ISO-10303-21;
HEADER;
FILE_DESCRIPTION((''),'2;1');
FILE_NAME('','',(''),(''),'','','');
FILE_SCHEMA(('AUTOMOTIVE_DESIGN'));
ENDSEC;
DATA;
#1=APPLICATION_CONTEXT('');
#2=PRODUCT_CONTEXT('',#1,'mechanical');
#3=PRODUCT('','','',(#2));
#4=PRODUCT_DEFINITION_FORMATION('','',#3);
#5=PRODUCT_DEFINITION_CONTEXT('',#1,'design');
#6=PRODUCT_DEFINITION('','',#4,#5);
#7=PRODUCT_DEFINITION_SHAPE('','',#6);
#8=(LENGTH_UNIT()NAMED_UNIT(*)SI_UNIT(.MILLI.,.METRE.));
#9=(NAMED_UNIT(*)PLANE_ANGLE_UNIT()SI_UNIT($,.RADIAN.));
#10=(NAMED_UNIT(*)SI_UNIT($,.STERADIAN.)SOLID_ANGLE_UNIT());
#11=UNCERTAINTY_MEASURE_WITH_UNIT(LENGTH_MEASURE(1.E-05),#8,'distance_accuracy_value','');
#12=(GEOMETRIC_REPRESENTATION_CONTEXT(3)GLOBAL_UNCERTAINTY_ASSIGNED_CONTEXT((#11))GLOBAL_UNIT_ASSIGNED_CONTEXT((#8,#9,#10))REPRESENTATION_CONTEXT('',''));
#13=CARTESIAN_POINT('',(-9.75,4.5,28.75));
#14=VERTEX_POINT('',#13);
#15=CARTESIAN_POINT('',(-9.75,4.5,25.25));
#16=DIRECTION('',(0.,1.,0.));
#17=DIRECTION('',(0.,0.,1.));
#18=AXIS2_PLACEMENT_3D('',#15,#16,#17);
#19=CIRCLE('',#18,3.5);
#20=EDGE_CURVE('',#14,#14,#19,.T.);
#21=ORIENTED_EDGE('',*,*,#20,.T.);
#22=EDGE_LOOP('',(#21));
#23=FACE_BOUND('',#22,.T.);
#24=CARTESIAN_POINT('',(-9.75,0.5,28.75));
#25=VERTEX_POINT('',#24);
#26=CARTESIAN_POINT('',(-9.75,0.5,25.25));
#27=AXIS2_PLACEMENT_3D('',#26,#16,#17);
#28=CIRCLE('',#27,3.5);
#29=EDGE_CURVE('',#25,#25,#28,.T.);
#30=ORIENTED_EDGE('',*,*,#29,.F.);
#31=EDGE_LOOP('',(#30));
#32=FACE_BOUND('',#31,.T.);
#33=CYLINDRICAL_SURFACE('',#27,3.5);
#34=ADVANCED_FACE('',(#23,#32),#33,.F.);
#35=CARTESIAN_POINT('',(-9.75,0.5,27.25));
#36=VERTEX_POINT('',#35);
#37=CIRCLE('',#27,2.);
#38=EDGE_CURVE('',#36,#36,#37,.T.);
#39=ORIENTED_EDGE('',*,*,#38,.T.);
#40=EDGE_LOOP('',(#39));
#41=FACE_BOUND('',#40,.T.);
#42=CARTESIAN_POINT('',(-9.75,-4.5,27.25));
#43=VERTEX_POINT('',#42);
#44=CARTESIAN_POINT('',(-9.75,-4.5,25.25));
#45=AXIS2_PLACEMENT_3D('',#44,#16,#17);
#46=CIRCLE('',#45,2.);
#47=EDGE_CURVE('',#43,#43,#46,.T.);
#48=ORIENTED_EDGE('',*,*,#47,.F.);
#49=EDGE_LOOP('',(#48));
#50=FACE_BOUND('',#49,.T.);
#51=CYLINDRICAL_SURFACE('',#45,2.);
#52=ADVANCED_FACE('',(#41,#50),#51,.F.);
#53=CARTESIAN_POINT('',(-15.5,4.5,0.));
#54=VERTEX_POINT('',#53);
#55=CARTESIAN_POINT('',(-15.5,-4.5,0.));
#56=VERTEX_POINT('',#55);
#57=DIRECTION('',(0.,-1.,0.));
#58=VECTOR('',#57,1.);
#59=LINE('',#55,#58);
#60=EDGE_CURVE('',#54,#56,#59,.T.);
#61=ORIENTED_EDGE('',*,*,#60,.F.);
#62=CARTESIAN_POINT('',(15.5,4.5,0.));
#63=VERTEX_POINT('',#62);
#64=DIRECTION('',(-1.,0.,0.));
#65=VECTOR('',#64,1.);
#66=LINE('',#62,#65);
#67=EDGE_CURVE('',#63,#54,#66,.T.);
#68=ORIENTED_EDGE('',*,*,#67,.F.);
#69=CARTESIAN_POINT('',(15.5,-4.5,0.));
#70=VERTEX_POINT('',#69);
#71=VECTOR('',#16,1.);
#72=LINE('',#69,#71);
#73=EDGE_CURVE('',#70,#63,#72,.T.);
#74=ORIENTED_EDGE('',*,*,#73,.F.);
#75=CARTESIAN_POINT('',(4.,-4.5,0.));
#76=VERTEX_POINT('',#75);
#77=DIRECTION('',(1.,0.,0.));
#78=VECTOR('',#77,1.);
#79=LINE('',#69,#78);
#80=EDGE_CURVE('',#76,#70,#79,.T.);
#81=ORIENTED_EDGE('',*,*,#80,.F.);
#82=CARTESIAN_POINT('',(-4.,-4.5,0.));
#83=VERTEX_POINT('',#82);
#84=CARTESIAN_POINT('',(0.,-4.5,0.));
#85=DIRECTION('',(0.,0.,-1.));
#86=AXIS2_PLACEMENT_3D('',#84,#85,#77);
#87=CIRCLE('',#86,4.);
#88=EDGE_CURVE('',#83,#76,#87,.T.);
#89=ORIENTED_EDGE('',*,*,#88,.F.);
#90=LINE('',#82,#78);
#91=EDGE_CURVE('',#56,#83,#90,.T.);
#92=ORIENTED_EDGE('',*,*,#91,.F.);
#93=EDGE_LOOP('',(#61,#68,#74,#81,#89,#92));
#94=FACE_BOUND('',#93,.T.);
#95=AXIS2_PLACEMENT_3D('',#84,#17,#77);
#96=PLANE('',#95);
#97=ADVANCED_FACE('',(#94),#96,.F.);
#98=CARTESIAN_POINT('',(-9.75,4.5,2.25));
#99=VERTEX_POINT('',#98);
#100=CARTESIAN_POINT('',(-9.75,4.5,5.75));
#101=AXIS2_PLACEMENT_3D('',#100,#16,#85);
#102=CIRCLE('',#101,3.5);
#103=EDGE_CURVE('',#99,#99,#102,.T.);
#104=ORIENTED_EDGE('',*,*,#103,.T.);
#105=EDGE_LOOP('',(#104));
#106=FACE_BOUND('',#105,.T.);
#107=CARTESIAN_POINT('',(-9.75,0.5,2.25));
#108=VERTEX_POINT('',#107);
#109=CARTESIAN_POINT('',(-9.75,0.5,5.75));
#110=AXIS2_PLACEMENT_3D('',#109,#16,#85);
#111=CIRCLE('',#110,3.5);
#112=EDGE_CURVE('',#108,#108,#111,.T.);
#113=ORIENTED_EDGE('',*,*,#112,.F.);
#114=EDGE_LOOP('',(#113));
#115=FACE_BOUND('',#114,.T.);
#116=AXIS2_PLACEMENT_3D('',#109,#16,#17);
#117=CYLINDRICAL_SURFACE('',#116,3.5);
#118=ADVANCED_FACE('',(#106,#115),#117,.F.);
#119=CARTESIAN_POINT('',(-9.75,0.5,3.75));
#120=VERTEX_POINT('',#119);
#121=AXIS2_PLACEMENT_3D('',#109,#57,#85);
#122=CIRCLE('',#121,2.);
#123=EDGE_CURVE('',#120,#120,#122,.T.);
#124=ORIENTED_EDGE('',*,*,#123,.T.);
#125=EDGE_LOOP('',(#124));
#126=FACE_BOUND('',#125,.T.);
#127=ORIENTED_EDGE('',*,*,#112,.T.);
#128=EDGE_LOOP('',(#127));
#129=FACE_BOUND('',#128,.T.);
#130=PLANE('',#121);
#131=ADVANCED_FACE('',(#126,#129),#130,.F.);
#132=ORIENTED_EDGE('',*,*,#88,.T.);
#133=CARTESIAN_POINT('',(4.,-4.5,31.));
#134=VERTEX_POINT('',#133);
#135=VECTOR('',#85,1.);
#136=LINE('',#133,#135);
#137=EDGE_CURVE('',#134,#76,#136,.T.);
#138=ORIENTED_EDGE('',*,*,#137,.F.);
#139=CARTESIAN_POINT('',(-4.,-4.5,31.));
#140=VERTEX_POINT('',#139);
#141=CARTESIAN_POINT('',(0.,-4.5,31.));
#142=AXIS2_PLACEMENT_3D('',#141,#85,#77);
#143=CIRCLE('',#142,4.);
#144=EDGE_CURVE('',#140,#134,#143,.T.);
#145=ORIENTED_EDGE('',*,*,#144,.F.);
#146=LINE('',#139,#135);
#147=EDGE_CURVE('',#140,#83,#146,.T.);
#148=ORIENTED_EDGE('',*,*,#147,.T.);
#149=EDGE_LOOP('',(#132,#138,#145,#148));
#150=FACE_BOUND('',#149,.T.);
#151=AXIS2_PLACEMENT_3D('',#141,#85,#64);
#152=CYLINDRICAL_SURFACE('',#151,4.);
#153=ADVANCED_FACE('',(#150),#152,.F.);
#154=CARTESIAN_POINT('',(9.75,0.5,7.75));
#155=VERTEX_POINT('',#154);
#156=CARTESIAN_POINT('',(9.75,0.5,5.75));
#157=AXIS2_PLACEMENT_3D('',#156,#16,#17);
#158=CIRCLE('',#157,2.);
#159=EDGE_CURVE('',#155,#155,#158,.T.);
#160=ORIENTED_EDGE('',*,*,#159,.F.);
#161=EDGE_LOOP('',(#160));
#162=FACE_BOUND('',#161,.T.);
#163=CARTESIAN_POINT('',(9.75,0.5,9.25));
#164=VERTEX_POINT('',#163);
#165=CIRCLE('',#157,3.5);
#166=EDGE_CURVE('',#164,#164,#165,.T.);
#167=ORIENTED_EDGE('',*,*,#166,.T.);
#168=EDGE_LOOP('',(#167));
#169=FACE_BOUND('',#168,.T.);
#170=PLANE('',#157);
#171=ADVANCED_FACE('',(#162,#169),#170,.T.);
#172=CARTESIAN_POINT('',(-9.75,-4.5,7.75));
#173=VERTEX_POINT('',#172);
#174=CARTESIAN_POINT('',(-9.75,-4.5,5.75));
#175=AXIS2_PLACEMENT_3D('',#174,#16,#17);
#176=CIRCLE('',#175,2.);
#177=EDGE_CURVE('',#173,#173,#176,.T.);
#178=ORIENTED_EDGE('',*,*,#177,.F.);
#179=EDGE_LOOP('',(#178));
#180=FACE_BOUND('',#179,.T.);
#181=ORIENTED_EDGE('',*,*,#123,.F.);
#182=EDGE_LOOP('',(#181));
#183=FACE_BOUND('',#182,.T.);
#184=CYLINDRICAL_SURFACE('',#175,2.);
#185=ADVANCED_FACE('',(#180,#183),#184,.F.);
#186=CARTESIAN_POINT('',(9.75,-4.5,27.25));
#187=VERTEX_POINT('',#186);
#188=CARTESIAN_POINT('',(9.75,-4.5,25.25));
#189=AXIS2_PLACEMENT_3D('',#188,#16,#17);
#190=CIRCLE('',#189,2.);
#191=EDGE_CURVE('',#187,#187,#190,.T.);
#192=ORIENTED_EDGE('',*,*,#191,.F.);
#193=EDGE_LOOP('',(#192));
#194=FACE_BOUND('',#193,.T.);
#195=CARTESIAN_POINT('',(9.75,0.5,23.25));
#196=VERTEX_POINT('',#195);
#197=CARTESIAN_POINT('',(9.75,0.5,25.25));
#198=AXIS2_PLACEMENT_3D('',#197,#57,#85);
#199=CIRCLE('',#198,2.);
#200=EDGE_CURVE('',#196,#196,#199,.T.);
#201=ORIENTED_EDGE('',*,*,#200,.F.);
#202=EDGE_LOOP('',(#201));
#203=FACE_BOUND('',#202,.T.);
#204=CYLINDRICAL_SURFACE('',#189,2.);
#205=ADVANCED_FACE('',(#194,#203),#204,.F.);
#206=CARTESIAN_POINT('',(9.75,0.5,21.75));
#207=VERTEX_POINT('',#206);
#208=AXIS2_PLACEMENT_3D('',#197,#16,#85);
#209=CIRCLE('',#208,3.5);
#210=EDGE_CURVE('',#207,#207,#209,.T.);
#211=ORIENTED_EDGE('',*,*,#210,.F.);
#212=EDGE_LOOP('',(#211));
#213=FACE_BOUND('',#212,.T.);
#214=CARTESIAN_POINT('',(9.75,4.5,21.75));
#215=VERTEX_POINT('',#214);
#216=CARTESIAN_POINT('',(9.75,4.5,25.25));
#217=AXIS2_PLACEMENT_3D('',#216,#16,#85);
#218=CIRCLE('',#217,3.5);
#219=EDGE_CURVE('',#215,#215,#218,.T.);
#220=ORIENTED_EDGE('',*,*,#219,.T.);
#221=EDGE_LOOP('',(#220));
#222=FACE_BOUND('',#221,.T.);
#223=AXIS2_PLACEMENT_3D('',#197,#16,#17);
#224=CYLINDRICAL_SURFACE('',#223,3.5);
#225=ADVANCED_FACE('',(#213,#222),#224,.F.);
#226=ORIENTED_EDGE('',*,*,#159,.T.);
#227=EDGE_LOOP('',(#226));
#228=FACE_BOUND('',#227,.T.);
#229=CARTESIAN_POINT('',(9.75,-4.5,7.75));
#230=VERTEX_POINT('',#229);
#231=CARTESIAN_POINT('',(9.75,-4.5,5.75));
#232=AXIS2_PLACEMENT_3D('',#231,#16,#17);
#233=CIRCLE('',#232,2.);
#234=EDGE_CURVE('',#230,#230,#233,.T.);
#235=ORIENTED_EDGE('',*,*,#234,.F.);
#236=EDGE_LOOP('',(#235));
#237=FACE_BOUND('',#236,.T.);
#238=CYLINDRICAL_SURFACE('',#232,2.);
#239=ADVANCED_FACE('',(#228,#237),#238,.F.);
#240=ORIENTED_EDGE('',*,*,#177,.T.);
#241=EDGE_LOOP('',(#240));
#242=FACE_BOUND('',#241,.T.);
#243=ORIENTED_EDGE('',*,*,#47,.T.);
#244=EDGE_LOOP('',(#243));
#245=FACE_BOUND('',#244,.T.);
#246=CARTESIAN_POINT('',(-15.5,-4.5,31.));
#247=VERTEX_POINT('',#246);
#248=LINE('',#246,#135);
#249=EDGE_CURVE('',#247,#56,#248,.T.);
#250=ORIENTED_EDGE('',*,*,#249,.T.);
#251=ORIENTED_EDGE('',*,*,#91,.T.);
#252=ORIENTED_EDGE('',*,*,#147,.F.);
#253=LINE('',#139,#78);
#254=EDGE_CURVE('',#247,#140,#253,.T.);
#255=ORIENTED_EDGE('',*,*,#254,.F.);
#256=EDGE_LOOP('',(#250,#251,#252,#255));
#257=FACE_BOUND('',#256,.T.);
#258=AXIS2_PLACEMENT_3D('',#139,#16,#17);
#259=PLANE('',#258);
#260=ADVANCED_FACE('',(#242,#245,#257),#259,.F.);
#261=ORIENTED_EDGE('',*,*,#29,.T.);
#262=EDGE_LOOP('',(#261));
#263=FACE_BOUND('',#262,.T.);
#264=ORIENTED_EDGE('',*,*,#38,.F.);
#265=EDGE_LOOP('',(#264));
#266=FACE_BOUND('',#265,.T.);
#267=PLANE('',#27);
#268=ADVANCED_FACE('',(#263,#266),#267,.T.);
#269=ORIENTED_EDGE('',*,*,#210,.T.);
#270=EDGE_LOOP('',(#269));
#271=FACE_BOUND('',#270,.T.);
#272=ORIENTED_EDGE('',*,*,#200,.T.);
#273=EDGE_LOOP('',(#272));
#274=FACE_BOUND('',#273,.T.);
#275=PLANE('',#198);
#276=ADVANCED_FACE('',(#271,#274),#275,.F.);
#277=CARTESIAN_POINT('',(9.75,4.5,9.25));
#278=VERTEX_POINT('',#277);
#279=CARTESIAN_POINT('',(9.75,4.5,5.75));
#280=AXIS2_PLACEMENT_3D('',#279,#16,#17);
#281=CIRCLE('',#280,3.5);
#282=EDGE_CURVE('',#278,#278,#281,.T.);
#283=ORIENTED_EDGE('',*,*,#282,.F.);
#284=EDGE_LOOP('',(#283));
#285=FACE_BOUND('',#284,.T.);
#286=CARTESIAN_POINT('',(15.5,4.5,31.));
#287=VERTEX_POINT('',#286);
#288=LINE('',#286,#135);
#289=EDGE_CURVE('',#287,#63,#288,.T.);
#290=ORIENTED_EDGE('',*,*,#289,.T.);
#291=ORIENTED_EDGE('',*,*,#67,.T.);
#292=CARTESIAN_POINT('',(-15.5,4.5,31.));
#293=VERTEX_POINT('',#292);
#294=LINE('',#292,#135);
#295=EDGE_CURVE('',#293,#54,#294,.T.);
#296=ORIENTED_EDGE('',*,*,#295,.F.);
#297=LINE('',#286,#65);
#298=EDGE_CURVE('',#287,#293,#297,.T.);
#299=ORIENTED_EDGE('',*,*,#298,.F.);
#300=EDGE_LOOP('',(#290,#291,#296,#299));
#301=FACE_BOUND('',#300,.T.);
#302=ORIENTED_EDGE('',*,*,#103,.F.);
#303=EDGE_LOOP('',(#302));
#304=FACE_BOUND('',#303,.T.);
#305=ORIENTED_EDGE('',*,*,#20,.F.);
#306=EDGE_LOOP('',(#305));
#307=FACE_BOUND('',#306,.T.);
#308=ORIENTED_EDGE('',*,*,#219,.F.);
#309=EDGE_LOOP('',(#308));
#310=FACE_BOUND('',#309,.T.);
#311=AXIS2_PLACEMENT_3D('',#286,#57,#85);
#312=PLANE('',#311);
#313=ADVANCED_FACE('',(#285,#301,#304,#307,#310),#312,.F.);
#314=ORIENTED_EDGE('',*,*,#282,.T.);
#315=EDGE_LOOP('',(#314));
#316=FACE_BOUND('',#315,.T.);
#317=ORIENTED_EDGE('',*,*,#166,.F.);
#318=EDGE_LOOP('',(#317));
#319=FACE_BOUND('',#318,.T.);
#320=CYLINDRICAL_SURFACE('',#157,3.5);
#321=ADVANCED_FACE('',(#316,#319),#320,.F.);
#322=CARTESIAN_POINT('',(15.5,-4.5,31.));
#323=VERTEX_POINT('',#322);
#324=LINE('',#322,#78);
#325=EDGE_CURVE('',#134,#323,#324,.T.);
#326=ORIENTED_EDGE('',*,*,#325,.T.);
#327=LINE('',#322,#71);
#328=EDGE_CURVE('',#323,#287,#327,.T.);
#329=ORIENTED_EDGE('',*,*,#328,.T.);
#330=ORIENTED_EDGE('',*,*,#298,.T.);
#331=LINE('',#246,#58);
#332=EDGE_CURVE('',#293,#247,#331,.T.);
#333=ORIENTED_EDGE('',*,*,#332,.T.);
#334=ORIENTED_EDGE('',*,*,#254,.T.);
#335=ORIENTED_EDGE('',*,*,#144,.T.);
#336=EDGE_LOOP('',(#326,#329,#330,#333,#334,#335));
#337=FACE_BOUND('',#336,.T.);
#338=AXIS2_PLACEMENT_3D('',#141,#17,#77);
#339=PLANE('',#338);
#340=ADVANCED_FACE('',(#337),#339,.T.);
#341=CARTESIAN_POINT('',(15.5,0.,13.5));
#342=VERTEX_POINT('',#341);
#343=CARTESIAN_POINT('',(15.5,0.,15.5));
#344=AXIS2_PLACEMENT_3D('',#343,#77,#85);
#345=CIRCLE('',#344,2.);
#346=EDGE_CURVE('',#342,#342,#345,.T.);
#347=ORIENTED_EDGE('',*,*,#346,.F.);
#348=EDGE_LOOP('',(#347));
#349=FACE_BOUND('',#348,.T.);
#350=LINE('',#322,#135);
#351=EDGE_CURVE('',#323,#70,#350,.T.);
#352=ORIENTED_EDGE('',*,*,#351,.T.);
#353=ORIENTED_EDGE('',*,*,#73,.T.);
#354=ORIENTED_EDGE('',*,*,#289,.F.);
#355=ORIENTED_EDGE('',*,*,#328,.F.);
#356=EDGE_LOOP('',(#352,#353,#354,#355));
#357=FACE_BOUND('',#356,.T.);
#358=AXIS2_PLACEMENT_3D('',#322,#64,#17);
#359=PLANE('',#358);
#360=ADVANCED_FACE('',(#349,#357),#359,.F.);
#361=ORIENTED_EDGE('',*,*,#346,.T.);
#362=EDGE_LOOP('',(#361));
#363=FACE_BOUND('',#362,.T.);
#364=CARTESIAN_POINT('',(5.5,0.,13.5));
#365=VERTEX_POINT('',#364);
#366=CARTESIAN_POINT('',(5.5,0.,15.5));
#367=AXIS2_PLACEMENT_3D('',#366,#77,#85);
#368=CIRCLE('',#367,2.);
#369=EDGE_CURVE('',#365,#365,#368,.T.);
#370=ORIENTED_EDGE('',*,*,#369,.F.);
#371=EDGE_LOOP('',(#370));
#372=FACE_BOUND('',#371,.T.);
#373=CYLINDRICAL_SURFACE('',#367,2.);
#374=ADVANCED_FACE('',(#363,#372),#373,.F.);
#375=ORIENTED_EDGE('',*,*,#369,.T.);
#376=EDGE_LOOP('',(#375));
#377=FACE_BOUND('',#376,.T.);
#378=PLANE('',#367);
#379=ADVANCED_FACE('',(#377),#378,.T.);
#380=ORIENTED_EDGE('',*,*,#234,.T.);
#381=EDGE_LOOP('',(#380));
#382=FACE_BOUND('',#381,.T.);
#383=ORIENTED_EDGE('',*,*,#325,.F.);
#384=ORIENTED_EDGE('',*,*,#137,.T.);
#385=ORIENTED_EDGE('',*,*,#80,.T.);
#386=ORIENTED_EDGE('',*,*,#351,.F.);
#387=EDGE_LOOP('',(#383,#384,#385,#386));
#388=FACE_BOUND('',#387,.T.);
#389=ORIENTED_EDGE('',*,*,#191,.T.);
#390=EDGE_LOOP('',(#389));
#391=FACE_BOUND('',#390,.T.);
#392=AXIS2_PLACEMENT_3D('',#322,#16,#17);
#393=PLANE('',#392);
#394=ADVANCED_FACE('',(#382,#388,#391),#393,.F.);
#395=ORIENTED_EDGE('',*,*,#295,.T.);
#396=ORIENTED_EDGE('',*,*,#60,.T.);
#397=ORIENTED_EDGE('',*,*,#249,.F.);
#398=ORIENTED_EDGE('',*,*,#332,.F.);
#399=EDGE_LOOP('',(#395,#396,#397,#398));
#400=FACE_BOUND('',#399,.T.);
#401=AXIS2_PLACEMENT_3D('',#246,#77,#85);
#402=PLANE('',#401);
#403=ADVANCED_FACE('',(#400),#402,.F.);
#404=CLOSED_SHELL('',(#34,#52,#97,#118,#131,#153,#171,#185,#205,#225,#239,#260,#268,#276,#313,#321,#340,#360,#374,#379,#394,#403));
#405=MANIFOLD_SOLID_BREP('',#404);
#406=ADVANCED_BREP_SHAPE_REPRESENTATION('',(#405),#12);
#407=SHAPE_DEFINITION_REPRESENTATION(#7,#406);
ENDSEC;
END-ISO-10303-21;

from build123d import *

# Parameters (mm, degrees)
P_IDAT_VYSUNUT_M1_DEPTH  = 31
SKICA3_R                 = 3.5
ODEBRAT_VYSUNUT_M1_DEPTH = 4
SKICA4_R                 = 2
ODEBRAT_VYSUNUT_M2_DEPTH = 36.80851854
SKICA5_R                 = 2
ODEBRAT_VYSUNUT_M3_DEPTH = 10


with BuildPart() as part:
    # Skica2 → Přidat vysunutím1 (new body)
    with BuildSketch(Plane.XY):
        with BuildLine():
            Line((15.5, -4.5), (15.5, 4.5))
            Line((15.5, 4.5), (-15.5, 4.5))
            Line((-15.5, 4.5), (-15.5, -4.5))
            Line((-15.5, -4.5), (-4, -4.5))
            ThreePointArc((-4, -4.5), (0, -0.5), (4, -4.5))
            Line((4, -4.5), (15.5, -4.5))
        make_face()
    extrude(amount=P_IDAT_VYSUNUT_M1_DEPTH)

    # Skica3 → Odebrat vysunutím1 (cut)
    with BuildSketch(Plane(origin=(0, 4.5, 0), x_dir=(1, 0, 0), z_dir=(0, 1, 0))):
        with Locations(Location((9.75, -5.75, 0), (0, 0, 270))):
            Circle(SKICA3_R)
        with Locations(Location((9.75, -25.25, 0), (0, 0, 90))):
            Circle(SKICA3_R)
        with Locations(Location((-9.75, -5.75, 0), (0, 0, 90))):
            Circle(SKICA3_R)
        with Locations(Location((-9.75, -25.25, 0), (0, 0, 270))):
            Circle(SKICA3_R)
    extrude(amount=-ODEBRAT_VYSUNUT_M1_DEPTH, mode=Mode.SUBTRACT)

    # Skica4 → Odebrat vysunutím2 (cut, through all)
    with BuildSketch(Plane(origin=(0, 4.5, 0), x_dir=(1, 0, 0), z_dir=(0, 1, 0))):
        with Locations(Location((9.75, -5.75, 0), (0, 0, 270))):
            Circle(SKICA4_R)
        with Locations(Location((-9.75, -5.75, 0), (0, 0, 270))):
            Circle(SKICA4_R)
        with Locations(Location((-9.75, -25.25, 0), (0, 0, 270))):
            Circle(SKICA4_R)
        with Locations(Location((9.75, -25.25, 0), (0, 0, 270))):
            Circle(SKICA4_R)
    extrude(amount=-ODEBRAT_VYSUNUT_M2_DEPTH, mode=Mode.SUBTRACT)

    # Skica5 → Odebrat vysunutím3 (cut)
    with BuildSketch(Plane(origin=(15.5, 0, 0), x_dir=(0, 0, -1), z_dir=(1, 0, 0))):
        with Locations((-15.5, 0)):
            Circle(SKICA5_R)
    extrude(amount=-ODEBRAT_VYSUNUT_M3_DEPTH, mode=Mode.SUBTRACT)


solid = part.part
